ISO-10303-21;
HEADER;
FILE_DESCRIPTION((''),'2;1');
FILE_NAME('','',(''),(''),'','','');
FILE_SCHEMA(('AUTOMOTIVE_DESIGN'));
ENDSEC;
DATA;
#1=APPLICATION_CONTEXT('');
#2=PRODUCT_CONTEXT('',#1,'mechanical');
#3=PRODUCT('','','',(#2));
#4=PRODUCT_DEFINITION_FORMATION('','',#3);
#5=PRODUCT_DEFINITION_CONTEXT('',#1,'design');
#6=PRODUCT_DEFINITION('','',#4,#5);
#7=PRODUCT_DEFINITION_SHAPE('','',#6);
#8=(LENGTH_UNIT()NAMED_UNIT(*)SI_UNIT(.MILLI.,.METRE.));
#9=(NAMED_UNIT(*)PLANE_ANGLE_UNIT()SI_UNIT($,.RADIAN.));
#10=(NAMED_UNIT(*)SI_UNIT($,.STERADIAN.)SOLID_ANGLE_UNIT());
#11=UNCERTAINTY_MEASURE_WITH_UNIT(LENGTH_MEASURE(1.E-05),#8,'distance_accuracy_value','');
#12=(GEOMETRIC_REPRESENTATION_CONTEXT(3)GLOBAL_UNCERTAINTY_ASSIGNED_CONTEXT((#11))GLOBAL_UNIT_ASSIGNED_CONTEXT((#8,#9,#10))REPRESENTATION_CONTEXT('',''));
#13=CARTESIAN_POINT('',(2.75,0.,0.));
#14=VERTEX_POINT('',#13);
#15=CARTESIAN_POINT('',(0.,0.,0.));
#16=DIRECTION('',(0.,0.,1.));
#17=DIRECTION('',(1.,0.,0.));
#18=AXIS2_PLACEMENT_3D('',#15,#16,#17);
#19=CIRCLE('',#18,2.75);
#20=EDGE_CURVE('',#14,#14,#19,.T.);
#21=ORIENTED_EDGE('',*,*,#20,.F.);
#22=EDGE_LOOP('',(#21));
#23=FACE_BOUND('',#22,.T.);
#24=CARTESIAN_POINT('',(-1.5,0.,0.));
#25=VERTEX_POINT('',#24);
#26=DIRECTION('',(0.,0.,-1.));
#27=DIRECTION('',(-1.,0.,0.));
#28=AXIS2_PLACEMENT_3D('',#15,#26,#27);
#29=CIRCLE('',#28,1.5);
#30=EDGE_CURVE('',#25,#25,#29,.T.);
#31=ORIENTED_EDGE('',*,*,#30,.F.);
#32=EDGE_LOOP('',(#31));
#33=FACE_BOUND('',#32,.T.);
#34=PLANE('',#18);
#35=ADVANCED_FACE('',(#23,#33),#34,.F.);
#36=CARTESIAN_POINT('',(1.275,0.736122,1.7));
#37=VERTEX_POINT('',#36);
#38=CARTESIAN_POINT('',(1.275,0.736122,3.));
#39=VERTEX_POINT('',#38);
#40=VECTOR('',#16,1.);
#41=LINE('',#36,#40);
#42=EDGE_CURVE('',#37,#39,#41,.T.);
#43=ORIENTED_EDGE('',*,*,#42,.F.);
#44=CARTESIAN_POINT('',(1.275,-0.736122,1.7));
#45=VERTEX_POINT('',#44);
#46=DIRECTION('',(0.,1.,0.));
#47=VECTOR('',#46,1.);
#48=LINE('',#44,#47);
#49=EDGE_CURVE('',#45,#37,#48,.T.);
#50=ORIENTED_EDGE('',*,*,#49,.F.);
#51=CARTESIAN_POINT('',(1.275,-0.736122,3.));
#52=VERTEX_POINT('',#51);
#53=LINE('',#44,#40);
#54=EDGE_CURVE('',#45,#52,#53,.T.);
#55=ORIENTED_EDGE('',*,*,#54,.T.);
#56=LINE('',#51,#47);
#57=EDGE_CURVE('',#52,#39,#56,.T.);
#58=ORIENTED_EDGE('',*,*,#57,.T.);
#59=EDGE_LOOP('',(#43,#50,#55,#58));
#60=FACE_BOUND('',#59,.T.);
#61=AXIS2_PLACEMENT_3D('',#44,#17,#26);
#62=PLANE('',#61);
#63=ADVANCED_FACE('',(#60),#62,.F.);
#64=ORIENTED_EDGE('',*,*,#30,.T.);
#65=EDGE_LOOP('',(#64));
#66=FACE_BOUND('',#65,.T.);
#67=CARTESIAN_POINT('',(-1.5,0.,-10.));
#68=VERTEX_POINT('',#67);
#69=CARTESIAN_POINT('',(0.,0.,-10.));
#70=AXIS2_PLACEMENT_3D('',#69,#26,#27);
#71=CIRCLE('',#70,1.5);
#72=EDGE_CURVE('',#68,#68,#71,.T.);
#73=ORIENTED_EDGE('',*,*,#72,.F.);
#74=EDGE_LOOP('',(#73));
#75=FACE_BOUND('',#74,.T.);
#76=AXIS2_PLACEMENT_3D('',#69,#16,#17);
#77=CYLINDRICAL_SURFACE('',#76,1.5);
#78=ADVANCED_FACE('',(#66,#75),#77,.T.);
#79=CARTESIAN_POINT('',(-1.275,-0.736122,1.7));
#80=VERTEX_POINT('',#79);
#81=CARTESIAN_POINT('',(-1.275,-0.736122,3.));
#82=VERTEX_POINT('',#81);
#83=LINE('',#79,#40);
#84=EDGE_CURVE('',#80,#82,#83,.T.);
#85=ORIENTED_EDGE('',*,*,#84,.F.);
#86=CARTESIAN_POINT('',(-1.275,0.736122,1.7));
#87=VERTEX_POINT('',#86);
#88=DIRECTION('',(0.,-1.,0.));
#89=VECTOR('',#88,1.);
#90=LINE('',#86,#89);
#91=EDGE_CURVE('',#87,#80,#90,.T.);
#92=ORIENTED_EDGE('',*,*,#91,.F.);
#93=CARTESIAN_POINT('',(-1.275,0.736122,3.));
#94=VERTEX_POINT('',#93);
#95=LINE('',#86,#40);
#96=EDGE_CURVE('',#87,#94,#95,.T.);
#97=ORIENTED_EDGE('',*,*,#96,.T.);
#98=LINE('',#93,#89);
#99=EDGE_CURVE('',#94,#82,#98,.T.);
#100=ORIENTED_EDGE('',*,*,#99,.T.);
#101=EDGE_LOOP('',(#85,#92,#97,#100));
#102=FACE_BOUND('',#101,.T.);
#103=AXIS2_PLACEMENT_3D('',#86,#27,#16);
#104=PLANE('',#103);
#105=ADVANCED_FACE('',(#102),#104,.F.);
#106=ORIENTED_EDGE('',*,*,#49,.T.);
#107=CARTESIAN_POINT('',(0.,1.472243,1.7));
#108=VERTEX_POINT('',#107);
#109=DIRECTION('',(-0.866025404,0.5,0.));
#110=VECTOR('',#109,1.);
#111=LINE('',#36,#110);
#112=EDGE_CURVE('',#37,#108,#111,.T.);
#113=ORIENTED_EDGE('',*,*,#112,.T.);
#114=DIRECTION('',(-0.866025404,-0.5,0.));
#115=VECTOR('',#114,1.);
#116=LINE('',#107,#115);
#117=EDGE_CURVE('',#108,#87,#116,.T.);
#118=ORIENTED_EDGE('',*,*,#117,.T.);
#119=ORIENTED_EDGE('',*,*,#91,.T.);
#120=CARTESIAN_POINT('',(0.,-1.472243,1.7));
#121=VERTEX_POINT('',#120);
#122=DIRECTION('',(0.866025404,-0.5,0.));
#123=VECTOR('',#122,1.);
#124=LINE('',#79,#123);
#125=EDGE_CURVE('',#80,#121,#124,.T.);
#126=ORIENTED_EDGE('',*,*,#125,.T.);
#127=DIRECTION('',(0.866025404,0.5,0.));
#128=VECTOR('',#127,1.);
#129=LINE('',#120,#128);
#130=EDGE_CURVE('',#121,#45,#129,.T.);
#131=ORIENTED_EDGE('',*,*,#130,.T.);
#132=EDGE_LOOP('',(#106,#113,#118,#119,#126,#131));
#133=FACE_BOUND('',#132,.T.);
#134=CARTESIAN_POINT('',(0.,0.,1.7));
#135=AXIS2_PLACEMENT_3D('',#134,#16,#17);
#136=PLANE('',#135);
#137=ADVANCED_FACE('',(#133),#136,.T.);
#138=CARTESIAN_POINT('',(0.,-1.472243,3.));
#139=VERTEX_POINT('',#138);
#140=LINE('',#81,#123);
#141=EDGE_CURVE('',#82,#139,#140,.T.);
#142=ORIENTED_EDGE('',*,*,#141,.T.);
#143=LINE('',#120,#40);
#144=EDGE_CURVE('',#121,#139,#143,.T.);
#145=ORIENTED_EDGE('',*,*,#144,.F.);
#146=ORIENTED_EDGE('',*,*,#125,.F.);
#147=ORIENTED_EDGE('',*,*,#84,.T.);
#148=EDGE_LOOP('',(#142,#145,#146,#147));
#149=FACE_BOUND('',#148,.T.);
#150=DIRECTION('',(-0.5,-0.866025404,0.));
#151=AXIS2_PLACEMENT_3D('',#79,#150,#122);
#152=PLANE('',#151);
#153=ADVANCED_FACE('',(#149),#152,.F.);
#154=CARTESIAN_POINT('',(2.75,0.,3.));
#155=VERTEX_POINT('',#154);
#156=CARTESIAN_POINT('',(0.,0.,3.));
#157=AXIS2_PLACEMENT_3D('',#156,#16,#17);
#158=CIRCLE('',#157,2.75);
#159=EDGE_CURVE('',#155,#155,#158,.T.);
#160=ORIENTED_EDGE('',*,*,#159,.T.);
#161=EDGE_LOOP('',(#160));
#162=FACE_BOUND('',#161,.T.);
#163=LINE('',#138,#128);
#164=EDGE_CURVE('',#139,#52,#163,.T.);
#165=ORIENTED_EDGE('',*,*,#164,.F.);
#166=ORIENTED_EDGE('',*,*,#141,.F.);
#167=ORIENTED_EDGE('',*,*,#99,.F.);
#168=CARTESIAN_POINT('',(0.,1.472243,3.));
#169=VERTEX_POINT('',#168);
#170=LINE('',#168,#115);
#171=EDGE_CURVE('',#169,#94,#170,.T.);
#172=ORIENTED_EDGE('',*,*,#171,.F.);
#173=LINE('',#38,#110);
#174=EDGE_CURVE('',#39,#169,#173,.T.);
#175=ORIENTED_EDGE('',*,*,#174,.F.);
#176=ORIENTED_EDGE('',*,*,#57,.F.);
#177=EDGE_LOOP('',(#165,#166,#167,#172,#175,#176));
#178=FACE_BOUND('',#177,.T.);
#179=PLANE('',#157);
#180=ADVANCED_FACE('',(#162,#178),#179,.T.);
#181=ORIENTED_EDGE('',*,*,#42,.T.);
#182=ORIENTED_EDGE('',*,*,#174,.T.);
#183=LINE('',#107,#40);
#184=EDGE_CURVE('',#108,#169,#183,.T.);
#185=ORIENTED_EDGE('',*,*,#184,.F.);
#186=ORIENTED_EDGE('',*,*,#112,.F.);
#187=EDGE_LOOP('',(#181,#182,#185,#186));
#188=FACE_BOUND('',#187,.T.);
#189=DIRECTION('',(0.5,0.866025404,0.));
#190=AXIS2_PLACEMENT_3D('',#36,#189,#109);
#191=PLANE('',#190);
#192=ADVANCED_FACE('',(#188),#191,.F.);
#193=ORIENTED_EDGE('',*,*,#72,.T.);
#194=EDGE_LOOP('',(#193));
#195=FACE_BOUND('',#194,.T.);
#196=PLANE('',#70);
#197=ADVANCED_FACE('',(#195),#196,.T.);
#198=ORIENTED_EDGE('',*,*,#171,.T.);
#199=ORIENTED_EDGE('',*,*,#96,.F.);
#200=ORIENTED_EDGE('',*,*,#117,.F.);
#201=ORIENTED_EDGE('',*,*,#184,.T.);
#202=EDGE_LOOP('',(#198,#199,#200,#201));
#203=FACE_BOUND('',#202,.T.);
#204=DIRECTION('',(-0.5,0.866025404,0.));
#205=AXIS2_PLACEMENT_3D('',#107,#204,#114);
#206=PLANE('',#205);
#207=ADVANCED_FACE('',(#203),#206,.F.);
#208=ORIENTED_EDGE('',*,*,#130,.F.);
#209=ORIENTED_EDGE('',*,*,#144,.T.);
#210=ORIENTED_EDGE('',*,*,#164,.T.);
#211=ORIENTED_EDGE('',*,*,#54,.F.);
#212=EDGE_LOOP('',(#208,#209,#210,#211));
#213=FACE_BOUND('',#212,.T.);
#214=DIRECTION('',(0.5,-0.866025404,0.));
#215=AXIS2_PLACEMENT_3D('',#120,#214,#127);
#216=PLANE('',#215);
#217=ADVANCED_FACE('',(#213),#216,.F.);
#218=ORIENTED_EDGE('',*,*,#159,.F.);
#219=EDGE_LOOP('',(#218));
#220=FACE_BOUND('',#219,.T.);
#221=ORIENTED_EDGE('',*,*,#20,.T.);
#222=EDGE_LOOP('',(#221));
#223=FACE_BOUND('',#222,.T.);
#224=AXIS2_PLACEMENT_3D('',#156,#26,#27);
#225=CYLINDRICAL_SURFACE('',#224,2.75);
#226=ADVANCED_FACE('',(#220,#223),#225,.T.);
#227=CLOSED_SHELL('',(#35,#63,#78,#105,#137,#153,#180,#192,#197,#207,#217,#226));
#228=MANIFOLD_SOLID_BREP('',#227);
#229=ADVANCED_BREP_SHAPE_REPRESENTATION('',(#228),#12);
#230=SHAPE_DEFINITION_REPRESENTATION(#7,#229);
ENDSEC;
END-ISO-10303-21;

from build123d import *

# Parameters (mm, degrees)
SKETCH_1_R          = 2.75
EXTRUDE_1_DEPTH     = 3
CUT_EXTRUDE_1_DEPTH = 1.3
SKETCH_3_R          = 1.5
EXTRUDE_2_DEPTH     = 10


with BuildPart() as part:
    # 草图1 → 凸台-拉伸1 (new body)
    with BuildSketch(Plane.XY):
        Circle(SKETCH_1_R)
    extrude(amount=EXTRUDE_1_DEPTH)

    # 草图2 → 切除-拉伸1 (cut)
    with BuildSketch(Plane.XY.offset(3)):
        Polygon((1.275, -0.736121593), (1.275, 0.736121593), (0, 1.472243186), (-1.275, 0.736121593), (-1.275, -0.736121593), (0, -1.472243186), align=None)
    extrude(amount=-CUT_EXTRUDE_1_DEPTH, mode=Mode.SUBTRACT)

    # 草图3 → 凸台-拉伸2 (add)
    with BuildSketch(Plane(origin=(0, 0, 0), x_dir=(-1, 0, 0), z_dir=(0, 0, -1))):
        Circle(SKETCH_3_R)
    extrude(amount=EXTRUDE_2_DEPTH)


solid = part.part
